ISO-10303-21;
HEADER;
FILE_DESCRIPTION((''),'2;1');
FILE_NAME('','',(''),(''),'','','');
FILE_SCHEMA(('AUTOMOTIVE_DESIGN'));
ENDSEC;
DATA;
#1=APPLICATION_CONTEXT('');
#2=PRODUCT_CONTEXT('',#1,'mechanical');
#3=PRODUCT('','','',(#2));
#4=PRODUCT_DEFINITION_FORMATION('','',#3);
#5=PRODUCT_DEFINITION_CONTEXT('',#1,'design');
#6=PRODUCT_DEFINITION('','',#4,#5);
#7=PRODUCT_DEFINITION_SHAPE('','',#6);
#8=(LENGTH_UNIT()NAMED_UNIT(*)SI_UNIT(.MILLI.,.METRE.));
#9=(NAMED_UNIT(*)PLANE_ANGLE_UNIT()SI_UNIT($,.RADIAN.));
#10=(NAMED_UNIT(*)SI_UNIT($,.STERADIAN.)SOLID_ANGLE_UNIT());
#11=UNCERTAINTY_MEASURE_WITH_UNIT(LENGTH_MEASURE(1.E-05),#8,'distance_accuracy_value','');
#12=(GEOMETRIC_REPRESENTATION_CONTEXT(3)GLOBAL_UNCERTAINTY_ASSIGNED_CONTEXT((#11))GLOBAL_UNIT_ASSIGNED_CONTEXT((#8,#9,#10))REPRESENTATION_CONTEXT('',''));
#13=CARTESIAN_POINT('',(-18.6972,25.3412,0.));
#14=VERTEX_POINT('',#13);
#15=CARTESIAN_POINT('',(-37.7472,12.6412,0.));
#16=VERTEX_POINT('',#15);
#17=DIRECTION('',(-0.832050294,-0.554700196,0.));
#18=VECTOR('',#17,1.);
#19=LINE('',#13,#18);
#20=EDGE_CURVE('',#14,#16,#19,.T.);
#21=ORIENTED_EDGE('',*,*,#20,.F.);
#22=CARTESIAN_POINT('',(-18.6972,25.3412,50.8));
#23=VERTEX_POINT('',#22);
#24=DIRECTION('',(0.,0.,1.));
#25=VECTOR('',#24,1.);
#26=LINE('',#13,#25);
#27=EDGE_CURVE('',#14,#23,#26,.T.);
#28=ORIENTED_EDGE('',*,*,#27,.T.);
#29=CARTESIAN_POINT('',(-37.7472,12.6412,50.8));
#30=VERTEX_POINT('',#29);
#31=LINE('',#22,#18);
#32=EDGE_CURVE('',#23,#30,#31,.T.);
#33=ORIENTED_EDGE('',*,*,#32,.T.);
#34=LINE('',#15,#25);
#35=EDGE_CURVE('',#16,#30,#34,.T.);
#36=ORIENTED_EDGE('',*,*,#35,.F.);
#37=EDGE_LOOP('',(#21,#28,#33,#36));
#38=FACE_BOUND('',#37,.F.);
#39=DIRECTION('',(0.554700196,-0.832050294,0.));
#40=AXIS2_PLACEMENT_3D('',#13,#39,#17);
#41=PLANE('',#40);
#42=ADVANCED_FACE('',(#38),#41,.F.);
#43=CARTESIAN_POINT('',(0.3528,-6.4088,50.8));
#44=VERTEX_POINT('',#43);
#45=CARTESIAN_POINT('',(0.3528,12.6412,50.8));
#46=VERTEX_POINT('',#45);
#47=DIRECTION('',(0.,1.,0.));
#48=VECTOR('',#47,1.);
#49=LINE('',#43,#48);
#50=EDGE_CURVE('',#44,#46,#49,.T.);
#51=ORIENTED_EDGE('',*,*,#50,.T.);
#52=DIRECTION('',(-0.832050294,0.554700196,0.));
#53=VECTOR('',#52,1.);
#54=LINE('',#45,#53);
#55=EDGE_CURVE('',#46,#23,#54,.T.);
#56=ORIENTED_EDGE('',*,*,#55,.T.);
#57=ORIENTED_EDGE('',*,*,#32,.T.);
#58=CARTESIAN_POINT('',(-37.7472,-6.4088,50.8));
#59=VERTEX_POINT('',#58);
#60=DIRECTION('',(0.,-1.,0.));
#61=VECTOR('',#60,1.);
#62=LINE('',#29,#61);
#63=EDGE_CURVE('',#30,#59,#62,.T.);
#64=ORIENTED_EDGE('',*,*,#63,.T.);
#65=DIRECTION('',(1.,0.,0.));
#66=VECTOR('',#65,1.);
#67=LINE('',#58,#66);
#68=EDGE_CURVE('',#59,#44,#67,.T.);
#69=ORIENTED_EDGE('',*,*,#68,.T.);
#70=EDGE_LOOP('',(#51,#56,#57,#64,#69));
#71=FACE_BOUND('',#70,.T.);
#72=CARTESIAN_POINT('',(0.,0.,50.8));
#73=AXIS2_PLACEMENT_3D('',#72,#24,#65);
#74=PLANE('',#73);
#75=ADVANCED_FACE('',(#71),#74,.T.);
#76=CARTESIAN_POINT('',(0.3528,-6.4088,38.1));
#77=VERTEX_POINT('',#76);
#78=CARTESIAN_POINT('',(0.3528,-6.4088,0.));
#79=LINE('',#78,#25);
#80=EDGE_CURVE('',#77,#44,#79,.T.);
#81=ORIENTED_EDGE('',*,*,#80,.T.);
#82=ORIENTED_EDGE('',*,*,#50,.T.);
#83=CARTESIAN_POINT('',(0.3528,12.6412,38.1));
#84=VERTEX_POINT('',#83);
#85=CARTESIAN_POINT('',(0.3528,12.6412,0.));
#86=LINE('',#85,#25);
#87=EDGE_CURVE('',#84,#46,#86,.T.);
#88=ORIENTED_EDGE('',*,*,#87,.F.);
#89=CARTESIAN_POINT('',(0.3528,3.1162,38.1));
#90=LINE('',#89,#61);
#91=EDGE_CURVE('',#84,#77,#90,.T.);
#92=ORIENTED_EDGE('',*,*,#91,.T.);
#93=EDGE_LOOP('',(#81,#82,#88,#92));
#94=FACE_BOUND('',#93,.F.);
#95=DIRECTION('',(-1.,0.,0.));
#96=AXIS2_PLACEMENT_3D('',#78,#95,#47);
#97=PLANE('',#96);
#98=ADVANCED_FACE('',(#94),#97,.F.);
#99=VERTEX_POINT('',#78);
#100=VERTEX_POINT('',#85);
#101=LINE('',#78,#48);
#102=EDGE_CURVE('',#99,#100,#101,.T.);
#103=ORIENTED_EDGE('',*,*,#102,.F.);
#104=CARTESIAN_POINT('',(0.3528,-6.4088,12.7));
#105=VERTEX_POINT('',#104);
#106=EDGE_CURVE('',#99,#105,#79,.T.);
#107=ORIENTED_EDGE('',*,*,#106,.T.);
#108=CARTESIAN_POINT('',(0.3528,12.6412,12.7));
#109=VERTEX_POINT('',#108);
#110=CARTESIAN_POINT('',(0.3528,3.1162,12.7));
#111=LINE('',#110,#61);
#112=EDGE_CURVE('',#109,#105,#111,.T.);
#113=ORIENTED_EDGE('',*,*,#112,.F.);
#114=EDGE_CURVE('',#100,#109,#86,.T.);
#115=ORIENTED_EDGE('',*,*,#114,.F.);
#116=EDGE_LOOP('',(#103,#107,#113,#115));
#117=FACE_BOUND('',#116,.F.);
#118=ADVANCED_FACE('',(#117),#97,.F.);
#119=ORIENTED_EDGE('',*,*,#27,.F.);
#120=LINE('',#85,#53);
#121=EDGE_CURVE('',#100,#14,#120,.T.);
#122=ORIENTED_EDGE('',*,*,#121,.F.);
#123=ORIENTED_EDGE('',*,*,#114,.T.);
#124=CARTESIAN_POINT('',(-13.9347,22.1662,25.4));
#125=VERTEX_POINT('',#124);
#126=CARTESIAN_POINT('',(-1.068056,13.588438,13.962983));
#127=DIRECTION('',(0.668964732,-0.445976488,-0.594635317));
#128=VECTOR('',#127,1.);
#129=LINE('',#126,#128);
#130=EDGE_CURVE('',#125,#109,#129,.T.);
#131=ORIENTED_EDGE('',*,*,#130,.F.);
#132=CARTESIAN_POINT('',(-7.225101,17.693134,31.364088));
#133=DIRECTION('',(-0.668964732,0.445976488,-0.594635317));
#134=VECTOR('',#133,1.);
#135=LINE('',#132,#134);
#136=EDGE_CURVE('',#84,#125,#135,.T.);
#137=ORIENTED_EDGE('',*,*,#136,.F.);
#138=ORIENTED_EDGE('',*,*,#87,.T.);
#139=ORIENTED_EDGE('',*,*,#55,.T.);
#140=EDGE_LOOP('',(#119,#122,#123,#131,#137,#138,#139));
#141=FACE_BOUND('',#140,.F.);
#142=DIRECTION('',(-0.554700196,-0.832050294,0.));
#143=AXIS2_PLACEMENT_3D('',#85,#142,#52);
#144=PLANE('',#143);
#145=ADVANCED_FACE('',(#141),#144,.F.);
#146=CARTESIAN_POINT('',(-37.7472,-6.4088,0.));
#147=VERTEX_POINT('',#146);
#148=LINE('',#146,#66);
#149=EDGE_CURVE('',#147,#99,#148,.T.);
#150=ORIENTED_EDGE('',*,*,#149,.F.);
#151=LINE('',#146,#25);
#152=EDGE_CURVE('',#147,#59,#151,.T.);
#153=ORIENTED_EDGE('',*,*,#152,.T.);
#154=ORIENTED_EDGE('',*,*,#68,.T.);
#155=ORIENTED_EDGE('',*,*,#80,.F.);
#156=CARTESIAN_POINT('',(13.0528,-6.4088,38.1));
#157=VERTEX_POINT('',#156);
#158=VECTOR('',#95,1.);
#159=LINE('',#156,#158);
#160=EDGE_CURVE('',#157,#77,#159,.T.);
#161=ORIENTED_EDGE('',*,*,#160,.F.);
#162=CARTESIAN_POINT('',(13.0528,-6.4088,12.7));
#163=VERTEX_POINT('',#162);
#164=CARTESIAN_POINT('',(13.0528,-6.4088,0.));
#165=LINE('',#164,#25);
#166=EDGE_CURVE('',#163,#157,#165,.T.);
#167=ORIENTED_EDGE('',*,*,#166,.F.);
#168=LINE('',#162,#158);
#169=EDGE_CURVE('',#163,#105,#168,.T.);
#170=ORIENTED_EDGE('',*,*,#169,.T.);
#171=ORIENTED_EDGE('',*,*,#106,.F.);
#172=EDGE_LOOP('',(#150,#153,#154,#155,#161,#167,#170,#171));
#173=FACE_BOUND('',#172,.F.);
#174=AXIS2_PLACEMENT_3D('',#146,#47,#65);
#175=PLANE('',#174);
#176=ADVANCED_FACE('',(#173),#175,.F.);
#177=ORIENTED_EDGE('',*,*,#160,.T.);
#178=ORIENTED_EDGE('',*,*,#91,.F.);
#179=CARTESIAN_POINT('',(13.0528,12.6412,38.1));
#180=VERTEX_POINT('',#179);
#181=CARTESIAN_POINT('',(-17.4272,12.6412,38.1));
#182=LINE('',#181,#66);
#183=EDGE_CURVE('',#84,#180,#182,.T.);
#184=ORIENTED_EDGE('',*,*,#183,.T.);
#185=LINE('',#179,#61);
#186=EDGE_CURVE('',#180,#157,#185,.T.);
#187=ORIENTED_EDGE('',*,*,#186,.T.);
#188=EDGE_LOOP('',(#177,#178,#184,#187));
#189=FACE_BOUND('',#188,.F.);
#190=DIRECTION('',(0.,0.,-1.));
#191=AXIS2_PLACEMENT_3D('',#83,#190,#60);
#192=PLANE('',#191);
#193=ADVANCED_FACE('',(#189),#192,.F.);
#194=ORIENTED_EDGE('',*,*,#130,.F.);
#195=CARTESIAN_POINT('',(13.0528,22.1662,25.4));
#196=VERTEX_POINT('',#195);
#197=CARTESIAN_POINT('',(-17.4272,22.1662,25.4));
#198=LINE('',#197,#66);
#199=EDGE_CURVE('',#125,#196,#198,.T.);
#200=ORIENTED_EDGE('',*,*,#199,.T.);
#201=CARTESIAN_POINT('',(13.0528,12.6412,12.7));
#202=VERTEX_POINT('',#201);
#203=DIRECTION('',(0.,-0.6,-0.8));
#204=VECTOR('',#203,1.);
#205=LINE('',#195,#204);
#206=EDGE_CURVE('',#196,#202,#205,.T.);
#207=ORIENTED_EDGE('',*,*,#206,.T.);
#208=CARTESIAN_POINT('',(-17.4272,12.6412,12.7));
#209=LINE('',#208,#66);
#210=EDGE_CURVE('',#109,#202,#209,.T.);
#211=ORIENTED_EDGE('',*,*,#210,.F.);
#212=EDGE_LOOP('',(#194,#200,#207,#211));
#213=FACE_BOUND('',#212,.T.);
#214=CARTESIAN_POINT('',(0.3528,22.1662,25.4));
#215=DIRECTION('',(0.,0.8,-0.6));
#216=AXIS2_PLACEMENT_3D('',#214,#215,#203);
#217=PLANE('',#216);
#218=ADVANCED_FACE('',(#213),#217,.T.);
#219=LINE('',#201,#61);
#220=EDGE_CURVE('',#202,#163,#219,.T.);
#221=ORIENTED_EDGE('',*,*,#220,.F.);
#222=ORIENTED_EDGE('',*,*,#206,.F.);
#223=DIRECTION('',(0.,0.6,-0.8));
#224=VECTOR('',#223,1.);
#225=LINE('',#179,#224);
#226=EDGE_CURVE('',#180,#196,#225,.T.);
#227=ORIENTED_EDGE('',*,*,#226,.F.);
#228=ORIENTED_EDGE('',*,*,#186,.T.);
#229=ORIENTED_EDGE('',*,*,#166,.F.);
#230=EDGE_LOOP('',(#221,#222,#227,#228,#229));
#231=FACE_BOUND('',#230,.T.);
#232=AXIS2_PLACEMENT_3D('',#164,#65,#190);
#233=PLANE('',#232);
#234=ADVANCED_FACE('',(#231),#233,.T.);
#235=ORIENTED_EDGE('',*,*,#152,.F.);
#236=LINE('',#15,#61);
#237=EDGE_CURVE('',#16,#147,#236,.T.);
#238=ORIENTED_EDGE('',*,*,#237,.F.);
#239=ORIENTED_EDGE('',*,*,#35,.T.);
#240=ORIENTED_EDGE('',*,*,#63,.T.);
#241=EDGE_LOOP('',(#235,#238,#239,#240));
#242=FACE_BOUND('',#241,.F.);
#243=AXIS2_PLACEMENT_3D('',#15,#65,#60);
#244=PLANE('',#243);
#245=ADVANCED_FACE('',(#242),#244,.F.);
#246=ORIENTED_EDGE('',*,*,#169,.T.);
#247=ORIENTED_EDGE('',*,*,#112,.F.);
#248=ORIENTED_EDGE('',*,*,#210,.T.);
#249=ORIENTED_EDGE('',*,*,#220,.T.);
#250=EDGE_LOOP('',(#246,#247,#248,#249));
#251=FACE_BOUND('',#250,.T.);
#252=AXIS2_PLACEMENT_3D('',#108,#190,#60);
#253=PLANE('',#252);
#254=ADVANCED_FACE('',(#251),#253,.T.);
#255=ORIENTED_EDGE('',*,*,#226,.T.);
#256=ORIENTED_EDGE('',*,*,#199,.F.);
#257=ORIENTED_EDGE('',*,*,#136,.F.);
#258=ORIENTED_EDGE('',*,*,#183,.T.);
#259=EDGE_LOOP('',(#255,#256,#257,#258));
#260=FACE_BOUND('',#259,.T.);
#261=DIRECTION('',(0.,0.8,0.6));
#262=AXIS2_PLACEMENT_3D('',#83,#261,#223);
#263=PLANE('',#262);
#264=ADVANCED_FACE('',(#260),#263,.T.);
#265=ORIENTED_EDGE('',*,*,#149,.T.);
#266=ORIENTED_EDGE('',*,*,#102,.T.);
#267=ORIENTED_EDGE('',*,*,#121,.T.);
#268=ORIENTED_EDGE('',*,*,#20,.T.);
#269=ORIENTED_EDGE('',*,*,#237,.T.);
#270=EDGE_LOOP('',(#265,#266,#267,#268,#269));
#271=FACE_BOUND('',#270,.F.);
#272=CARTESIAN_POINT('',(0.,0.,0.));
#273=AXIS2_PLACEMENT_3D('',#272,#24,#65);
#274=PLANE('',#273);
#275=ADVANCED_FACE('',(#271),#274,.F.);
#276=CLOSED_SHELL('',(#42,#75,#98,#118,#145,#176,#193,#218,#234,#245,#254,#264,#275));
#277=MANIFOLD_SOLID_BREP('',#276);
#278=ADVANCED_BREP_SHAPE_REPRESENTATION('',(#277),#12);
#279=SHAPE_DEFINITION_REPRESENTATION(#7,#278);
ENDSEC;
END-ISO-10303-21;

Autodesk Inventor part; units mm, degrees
ref_plane "YZ Plane" through (0, 0, 0) normal (1, 0, 0) x (0, 1, 0)
ref_plane "XZ Plane" through (0, 0, 0) normal (0, 1, 0) x (-1, 0, 0)
ref_plane "XY Plane" through (0, 0, 0) normal (0, 0, 1) x (1, 0, 0)
sketch "Sketch1" plane through (0, 0, 0) normal (0, 0, 1) x (1, 0, 0)
  line L0 (-37.7472, -6.4088) -> (0.3528, -6.4088)
  line L1 (0.3528, -6.4088) -> (0.3528, 12.6412)
  line L2 (0.3528, 12.6412) -> (-18.6972, 25.3412)
  line L3 (-18.6972, 25.3412) -> (-37.7472, 12.6412)
  line L4 (-37.7472, 12.6412) -> (-37.7472, -6.4088)
  point P0 (0, 0)
  dimension "d0" = 19.05
  dimension "d1" = 19.05
  dimension "d2" = 38.1
  dimension "d3" = 12.7
  dimension "d4" = 19.05
extrude "Extrusion1" add sketch "Sketch1" along normal blind 50.8
sketch "Sketch2" plane through (0.3528, -6.4088, 0) normal (1, 0, 0) x (0, 0, -1)
  line L0 (0, 19.05) -> (-50.8, 19.05) projected
  line L1 (-38.1, 19.05) -> (-38.1, 0)
  line L2 (0, 0) -> (-50.8, 0) projected
  line L3 (-38.1, 19.05) -> (-25.4, 28.575)
  line L4 (-25.4, 28.575) -> (-12.7, 19.05)
  line L5 (-12.7, 19.05) -> (-12.7, 0)
  line L6 (-12.7, 0) -> (-38.1, 0)
  line L7 (-50.8, 19.05) -> (-50.8, 0) projected
  line L8 (0, 0) -> (0, 19.05) projected
  point P0 (0, 6.4088)
  dimension "d7" = 12.7
  dimension "d8" = 12.7
  dimension "d9" = 9.525
  dimension "d10" = 12.7
extrude "Extrusion2" add sketch "Sketch2" along normal blind 12.7 and the other way blind 17.78 contours L5 L2 L1 L0 | L0 L3 L4
properties part number "Figure 7_28_5"
